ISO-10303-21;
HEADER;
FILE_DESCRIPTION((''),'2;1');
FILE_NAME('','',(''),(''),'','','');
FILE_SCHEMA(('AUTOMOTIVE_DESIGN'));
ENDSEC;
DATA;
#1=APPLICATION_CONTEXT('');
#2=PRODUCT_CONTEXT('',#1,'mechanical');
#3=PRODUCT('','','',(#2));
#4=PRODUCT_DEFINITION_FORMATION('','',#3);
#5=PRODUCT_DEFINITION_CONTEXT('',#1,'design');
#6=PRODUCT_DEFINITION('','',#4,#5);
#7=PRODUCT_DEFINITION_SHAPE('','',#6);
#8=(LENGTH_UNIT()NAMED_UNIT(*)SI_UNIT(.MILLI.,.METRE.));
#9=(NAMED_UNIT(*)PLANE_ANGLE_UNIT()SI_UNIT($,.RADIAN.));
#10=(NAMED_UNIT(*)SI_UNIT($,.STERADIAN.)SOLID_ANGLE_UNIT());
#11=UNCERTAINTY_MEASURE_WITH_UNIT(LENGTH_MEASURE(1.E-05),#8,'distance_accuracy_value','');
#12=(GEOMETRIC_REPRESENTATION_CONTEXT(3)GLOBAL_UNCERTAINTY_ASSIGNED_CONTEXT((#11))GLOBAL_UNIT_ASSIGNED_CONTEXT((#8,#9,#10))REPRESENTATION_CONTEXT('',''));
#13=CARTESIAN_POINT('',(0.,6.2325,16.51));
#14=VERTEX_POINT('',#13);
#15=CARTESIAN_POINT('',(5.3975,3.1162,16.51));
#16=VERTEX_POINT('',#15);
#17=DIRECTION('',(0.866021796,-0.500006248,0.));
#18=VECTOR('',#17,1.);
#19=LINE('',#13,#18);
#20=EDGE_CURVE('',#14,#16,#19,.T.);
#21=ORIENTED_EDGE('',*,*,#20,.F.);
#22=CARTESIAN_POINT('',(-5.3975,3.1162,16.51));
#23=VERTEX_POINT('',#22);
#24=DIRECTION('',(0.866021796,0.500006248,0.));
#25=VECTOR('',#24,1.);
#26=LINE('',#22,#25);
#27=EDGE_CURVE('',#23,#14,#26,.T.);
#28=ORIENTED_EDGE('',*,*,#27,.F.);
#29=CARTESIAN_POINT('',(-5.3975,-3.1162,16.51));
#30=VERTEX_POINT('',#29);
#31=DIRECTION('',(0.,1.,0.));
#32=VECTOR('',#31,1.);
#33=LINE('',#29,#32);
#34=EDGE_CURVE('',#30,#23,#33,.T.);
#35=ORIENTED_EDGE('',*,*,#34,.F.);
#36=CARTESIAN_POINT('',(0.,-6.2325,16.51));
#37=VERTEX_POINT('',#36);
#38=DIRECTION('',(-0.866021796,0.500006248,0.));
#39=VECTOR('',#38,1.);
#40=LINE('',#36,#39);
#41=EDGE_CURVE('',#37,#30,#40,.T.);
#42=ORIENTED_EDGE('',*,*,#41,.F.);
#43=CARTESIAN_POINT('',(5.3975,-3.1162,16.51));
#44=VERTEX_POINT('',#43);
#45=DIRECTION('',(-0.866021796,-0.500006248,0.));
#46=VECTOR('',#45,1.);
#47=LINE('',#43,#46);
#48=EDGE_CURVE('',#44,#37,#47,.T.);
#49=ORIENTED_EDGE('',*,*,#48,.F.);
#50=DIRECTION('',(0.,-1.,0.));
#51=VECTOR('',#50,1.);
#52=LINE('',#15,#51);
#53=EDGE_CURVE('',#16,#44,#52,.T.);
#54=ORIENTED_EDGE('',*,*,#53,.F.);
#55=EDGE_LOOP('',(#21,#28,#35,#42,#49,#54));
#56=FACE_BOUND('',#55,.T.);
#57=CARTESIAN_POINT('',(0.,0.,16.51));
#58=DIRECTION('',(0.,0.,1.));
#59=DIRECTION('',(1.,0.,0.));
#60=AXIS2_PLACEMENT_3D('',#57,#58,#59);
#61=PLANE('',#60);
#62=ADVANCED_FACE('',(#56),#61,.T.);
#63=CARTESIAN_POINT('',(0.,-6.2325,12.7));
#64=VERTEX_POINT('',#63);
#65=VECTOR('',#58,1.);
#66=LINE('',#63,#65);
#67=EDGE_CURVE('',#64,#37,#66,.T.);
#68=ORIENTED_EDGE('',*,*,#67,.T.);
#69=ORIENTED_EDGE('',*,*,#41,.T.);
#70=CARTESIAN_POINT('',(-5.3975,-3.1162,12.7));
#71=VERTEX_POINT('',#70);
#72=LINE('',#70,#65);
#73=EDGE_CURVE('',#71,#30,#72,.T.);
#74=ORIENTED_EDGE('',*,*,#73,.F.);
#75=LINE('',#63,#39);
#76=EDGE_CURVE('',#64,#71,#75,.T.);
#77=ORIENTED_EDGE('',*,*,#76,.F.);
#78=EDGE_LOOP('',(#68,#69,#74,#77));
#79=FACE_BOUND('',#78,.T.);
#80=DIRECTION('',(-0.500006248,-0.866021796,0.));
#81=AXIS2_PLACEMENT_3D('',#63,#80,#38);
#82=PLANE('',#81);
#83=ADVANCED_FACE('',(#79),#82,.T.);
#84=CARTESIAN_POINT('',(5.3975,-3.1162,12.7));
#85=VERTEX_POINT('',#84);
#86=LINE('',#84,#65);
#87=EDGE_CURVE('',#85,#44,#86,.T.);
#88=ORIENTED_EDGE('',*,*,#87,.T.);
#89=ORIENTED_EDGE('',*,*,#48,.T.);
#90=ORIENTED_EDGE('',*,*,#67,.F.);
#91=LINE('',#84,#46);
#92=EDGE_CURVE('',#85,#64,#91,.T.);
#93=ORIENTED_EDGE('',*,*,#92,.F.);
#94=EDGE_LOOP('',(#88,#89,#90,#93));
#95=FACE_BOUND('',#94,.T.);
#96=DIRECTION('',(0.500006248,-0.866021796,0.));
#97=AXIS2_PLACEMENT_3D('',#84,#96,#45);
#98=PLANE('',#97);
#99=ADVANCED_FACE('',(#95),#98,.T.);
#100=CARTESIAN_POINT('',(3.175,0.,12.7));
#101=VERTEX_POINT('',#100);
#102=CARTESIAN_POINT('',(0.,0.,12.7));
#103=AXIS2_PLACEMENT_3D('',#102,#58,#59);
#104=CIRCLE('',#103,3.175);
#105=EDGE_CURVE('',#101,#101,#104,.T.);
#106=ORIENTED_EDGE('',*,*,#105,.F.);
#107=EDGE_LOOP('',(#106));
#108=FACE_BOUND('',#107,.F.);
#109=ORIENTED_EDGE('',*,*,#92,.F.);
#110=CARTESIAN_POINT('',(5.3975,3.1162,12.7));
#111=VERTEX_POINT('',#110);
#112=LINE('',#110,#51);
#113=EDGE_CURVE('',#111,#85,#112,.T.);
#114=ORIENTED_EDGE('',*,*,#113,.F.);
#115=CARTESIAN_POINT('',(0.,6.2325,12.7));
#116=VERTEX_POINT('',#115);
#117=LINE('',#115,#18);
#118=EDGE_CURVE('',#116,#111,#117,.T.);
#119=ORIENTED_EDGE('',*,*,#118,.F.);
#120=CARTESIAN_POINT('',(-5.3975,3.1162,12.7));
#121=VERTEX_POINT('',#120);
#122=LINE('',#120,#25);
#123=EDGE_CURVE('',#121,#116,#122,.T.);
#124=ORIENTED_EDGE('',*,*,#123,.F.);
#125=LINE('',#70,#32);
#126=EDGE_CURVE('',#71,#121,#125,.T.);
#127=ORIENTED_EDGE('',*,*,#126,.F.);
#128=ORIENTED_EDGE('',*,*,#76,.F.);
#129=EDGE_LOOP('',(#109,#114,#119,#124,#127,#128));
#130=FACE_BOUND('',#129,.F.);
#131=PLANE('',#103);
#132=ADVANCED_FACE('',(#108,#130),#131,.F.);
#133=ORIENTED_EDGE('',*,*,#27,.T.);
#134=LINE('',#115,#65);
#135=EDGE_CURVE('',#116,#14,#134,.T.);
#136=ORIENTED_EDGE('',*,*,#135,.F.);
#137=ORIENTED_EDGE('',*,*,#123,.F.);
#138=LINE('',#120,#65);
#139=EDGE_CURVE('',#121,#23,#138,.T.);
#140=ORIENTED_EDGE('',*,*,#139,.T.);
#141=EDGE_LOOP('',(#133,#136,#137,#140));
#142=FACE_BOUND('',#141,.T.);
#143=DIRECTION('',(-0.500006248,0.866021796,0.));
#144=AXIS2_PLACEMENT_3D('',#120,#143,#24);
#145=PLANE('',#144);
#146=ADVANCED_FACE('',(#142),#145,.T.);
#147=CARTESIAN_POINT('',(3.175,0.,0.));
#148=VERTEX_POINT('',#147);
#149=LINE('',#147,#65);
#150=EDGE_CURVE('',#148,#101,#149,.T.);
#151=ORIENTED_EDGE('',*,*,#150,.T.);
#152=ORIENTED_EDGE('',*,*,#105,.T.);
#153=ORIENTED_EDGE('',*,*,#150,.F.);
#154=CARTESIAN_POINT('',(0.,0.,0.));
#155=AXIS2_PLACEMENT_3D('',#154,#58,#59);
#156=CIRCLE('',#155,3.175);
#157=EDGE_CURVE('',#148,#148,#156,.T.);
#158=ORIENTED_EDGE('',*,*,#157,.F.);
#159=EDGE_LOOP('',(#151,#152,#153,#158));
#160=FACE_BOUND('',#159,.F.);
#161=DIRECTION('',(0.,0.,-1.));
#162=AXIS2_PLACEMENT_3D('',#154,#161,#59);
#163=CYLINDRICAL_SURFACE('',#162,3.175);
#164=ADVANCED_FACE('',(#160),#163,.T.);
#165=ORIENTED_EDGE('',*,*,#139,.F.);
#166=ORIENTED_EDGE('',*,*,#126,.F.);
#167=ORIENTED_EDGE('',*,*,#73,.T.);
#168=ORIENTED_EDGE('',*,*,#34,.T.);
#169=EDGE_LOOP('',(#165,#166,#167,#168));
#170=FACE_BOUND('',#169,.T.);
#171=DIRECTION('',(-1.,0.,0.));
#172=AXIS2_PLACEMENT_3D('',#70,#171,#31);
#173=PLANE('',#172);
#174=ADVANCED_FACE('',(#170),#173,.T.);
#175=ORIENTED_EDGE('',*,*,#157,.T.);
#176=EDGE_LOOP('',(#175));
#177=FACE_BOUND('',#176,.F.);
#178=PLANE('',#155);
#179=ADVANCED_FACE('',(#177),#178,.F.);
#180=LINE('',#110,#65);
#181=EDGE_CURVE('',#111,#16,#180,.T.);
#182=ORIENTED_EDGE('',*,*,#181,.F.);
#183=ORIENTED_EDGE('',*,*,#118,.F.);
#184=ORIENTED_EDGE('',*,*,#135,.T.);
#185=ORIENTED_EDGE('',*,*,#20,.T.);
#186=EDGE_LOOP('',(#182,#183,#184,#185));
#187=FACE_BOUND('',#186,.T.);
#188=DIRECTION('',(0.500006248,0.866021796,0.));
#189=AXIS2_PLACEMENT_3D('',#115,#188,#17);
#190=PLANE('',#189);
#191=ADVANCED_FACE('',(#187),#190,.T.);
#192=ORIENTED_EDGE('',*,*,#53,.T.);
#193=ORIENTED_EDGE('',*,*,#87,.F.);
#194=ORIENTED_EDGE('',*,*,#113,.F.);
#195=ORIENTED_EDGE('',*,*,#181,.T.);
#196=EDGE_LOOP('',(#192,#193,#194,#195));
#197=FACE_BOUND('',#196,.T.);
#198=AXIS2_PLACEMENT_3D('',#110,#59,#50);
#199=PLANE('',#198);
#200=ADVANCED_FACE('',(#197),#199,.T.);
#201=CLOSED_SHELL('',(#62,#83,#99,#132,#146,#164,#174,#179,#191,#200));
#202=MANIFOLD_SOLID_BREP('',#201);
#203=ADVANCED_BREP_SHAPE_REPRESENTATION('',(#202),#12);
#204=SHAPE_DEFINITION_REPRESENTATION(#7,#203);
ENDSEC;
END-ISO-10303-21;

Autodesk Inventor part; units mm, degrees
ref_plane "YZ Plane" through (0, 0, 0) normal (1, 0, 0) x (0, 1, 0)
ref_plane "XZ Plane" through (0, 0, 0) normal (0, 1, 0) x (-1, 0, 0)
ref_plane "XY Plane" through (0, 0, 0) normal (0, 0, 1) x (1, 0, 0)
sketch "Sketch1" plane through (0, 0, 0) normal (0, 0, 1) x (1, 0, 0)
  circle A0 centre (0, 0) radius 3.175
  dimension "d0" = 6.35
extrude "Extrusion1" add sketch "Sketch1" along normal blind 12.7
sketch "Sketch2" plane through (0, 0, 12.7) normal (0, 0, 1) x (1, 0, 0)
  circle A0 centre (0, 0) radius 3.175 projected
  line L0 (0, 6.2325) -> (5.3975, 3.1162)
  line L1 (5.3975, 3.1162) -> (5.3975, -3.1162)
  line L2 (5.3975, -3.1162) -> (0, -6.2325)
  line L3 (0, -6.2325) -> (-5.3975, -3.1162)
  line L4 (-5.3975, -3.1162) -> (-5.3975, 3.1162)
  line L5 (-5.3975, 3.1162) -> (0, 6.2325)
  dimension "d3" = 10.795
extrude "Extrusion2" add sketch "Sketch2" along normal blind 3.81 contours A0 | L0 L1 L2 L3 L4 L5
thread "Thread1" size "1/4-20 UNC" class "2A" standard "ANSI Unified Screw Threads" full length
properties part number "Bolt .5 1764"
